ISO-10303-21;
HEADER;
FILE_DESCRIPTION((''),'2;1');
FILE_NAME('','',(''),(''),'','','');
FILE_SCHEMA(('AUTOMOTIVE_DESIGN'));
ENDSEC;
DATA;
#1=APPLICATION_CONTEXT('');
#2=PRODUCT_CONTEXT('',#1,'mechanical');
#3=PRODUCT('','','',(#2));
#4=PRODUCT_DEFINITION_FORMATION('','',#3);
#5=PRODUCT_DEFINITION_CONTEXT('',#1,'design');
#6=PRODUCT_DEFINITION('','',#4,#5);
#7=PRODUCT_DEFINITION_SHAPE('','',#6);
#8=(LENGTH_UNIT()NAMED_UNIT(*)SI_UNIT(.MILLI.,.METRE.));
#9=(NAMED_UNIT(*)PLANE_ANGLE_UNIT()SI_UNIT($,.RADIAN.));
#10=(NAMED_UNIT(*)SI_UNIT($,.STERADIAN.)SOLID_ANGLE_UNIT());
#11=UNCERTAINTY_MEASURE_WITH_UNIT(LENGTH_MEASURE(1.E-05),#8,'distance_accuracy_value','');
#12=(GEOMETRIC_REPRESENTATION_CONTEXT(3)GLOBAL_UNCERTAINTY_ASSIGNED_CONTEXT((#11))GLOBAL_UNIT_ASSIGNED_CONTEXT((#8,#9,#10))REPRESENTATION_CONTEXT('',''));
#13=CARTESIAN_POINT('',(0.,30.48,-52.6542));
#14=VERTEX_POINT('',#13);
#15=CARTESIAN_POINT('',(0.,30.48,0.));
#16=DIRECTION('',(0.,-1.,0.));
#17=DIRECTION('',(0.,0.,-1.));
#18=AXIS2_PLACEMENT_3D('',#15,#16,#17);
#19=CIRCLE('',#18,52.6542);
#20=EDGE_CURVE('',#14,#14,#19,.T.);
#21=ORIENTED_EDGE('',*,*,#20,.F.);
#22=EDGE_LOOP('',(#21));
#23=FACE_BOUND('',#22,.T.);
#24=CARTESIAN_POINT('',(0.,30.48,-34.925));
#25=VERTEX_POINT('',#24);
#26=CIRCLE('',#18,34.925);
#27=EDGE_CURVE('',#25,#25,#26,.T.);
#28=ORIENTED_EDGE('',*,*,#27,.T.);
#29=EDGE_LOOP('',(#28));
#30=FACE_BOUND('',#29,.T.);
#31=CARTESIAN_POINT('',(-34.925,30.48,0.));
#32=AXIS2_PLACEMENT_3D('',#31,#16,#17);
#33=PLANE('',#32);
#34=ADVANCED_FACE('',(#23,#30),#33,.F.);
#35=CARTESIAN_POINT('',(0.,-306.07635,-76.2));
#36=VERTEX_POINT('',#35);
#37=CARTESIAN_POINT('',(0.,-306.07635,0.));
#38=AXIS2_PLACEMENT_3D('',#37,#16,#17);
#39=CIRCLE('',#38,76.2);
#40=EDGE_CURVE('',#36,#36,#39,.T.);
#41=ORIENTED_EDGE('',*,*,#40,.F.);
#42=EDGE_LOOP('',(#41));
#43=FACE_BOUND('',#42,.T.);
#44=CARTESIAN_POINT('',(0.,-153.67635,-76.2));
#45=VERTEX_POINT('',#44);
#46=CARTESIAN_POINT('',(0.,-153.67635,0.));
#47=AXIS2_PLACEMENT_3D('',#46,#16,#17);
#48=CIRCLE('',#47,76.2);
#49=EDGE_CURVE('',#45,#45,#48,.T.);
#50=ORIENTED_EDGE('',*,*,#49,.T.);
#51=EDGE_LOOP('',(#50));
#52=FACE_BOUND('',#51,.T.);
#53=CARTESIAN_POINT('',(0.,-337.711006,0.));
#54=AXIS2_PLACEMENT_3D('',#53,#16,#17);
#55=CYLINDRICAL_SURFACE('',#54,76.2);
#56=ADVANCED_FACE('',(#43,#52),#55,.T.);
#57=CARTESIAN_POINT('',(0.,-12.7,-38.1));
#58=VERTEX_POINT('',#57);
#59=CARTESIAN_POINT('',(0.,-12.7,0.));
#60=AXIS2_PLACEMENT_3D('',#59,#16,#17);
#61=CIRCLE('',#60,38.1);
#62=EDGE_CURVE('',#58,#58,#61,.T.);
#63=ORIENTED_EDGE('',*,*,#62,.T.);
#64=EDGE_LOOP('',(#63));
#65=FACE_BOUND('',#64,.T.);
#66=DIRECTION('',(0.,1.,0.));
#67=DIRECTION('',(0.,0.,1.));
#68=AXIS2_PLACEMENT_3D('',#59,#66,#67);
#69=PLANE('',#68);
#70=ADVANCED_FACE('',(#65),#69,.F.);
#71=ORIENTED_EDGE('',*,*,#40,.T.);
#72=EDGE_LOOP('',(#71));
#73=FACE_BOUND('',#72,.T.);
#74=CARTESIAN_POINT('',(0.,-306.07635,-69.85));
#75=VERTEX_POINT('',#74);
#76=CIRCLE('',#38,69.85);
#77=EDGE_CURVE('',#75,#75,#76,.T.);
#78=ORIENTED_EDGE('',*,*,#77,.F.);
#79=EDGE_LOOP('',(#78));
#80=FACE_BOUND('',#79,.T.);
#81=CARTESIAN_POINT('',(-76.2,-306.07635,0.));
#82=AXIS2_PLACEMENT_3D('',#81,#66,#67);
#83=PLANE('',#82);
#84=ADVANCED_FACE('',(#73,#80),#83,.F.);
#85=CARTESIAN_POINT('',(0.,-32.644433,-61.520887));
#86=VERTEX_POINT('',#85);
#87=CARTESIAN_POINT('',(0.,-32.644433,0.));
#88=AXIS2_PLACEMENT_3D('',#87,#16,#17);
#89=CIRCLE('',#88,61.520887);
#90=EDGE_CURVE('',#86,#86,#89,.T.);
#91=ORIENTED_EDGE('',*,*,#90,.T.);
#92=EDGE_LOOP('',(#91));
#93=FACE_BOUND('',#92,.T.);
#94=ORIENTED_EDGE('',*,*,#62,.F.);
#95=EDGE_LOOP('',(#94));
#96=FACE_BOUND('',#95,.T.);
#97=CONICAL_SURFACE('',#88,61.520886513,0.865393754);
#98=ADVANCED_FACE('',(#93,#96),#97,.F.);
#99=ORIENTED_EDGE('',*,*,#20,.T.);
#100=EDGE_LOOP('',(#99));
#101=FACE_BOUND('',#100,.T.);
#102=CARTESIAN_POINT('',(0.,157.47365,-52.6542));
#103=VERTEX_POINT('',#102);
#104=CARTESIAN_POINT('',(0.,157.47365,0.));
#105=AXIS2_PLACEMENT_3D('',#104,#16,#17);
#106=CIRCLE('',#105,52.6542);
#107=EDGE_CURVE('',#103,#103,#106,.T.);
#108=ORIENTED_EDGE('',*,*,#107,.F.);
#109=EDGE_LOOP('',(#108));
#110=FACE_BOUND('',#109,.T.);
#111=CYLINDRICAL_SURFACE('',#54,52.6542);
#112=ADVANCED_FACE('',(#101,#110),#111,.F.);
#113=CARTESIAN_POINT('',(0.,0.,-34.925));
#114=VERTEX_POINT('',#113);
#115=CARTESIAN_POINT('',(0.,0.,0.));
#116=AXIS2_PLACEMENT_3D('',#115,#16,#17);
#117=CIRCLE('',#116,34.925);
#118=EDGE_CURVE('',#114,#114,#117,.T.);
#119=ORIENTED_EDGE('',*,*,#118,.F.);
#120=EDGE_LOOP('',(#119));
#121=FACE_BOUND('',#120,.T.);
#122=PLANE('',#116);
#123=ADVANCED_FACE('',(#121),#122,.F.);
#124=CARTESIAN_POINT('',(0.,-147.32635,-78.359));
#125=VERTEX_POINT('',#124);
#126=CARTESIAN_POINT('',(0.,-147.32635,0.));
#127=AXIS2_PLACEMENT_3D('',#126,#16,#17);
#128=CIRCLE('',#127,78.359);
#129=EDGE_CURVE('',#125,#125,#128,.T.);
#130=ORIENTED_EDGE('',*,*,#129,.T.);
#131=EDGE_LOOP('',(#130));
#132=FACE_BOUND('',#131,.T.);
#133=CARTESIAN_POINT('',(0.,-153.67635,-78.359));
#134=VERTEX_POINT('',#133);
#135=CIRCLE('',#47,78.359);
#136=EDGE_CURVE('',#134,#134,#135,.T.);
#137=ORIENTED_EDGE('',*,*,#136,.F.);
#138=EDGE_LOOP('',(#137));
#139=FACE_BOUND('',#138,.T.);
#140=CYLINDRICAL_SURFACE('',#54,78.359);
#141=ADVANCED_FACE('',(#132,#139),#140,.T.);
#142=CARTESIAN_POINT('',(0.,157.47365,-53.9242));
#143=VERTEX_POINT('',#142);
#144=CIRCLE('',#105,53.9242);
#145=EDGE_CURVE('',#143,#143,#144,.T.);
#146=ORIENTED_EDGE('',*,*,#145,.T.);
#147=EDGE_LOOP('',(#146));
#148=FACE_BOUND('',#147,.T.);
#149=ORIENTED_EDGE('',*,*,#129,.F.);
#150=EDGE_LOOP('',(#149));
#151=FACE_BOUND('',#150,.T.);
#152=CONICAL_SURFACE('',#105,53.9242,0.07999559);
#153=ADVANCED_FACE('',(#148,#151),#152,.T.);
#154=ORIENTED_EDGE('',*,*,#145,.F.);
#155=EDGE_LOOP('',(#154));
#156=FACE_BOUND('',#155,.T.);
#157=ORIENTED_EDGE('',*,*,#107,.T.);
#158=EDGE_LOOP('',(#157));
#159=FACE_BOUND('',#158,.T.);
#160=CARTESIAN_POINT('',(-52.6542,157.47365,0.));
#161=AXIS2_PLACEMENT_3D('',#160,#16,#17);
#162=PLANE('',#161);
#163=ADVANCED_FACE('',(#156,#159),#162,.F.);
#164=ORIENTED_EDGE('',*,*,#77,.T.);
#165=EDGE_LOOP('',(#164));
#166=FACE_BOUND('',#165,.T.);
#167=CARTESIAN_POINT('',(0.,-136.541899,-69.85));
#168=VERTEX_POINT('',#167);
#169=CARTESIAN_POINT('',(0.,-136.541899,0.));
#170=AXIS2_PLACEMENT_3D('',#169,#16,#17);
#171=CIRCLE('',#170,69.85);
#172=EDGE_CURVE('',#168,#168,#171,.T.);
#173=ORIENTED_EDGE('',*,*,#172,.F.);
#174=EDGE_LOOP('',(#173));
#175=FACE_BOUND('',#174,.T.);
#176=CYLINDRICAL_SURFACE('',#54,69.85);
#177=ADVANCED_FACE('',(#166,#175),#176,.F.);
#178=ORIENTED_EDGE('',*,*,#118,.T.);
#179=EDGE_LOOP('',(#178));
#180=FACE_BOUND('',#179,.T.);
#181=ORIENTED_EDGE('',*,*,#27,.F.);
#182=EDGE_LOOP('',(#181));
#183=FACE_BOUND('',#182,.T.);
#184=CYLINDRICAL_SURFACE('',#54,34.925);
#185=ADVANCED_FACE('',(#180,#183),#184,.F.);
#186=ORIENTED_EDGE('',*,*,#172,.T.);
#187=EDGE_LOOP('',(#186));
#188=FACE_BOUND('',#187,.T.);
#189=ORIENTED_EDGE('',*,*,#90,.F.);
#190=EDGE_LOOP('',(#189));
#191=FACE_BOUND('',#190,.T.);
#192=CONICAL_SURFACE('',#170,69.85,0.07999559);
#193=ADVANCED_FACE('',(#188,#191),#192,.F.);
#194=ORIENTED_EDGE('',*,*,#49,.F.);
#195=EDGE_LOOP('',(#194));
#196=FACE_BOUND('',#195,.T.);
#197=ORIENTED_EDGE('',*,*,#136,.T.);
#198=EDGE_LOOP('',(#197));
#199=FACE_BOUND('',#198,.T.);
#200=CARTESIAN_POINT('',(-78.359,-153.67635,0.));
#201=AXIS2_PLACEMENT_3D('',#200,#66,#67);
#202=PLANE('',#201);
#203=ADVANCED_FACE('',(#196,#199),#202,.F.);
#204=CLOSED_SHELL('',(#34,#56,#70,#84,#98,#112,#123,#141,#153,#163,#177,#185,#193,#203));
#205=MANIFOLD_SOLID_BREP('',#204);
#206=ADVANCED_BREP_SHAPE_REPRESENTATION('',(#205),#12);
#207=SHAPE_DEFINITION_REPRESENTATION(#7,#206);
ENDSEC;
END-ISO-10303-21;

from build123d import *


with BuildPart() as part:
    # Sketch1 → Revolve1 (revolve)
    with BuildSketch(Plane.XY, mode=Mode.PRIVATE) as revolve1_sk:
        Polygon((0, 0), (-34.925, 0), (-34.925, 30.48), (-52.6542, 30.48), (-52.6542, 157.473649841), (-53.9242, 157.473649841), (-78.359, -147.326350159), (-78.359, -153.676350159), (-76.2, -153.676350159), (-76.2, -306.076350159), (-69.85, -306.076350159), (-69.85, -136.541898906), (-61.520886513, -32.644433369), (-38.1, -12.7), (0, -12.7), align=None)
    revolve(revolve1_sk.sketch.rotate(Axis((0, -337.711006289, 0), (0, 1, 0)), 270), axis=Axis((0, -337.711006289, 0), (0, 1, 0)))


solid = part.part
